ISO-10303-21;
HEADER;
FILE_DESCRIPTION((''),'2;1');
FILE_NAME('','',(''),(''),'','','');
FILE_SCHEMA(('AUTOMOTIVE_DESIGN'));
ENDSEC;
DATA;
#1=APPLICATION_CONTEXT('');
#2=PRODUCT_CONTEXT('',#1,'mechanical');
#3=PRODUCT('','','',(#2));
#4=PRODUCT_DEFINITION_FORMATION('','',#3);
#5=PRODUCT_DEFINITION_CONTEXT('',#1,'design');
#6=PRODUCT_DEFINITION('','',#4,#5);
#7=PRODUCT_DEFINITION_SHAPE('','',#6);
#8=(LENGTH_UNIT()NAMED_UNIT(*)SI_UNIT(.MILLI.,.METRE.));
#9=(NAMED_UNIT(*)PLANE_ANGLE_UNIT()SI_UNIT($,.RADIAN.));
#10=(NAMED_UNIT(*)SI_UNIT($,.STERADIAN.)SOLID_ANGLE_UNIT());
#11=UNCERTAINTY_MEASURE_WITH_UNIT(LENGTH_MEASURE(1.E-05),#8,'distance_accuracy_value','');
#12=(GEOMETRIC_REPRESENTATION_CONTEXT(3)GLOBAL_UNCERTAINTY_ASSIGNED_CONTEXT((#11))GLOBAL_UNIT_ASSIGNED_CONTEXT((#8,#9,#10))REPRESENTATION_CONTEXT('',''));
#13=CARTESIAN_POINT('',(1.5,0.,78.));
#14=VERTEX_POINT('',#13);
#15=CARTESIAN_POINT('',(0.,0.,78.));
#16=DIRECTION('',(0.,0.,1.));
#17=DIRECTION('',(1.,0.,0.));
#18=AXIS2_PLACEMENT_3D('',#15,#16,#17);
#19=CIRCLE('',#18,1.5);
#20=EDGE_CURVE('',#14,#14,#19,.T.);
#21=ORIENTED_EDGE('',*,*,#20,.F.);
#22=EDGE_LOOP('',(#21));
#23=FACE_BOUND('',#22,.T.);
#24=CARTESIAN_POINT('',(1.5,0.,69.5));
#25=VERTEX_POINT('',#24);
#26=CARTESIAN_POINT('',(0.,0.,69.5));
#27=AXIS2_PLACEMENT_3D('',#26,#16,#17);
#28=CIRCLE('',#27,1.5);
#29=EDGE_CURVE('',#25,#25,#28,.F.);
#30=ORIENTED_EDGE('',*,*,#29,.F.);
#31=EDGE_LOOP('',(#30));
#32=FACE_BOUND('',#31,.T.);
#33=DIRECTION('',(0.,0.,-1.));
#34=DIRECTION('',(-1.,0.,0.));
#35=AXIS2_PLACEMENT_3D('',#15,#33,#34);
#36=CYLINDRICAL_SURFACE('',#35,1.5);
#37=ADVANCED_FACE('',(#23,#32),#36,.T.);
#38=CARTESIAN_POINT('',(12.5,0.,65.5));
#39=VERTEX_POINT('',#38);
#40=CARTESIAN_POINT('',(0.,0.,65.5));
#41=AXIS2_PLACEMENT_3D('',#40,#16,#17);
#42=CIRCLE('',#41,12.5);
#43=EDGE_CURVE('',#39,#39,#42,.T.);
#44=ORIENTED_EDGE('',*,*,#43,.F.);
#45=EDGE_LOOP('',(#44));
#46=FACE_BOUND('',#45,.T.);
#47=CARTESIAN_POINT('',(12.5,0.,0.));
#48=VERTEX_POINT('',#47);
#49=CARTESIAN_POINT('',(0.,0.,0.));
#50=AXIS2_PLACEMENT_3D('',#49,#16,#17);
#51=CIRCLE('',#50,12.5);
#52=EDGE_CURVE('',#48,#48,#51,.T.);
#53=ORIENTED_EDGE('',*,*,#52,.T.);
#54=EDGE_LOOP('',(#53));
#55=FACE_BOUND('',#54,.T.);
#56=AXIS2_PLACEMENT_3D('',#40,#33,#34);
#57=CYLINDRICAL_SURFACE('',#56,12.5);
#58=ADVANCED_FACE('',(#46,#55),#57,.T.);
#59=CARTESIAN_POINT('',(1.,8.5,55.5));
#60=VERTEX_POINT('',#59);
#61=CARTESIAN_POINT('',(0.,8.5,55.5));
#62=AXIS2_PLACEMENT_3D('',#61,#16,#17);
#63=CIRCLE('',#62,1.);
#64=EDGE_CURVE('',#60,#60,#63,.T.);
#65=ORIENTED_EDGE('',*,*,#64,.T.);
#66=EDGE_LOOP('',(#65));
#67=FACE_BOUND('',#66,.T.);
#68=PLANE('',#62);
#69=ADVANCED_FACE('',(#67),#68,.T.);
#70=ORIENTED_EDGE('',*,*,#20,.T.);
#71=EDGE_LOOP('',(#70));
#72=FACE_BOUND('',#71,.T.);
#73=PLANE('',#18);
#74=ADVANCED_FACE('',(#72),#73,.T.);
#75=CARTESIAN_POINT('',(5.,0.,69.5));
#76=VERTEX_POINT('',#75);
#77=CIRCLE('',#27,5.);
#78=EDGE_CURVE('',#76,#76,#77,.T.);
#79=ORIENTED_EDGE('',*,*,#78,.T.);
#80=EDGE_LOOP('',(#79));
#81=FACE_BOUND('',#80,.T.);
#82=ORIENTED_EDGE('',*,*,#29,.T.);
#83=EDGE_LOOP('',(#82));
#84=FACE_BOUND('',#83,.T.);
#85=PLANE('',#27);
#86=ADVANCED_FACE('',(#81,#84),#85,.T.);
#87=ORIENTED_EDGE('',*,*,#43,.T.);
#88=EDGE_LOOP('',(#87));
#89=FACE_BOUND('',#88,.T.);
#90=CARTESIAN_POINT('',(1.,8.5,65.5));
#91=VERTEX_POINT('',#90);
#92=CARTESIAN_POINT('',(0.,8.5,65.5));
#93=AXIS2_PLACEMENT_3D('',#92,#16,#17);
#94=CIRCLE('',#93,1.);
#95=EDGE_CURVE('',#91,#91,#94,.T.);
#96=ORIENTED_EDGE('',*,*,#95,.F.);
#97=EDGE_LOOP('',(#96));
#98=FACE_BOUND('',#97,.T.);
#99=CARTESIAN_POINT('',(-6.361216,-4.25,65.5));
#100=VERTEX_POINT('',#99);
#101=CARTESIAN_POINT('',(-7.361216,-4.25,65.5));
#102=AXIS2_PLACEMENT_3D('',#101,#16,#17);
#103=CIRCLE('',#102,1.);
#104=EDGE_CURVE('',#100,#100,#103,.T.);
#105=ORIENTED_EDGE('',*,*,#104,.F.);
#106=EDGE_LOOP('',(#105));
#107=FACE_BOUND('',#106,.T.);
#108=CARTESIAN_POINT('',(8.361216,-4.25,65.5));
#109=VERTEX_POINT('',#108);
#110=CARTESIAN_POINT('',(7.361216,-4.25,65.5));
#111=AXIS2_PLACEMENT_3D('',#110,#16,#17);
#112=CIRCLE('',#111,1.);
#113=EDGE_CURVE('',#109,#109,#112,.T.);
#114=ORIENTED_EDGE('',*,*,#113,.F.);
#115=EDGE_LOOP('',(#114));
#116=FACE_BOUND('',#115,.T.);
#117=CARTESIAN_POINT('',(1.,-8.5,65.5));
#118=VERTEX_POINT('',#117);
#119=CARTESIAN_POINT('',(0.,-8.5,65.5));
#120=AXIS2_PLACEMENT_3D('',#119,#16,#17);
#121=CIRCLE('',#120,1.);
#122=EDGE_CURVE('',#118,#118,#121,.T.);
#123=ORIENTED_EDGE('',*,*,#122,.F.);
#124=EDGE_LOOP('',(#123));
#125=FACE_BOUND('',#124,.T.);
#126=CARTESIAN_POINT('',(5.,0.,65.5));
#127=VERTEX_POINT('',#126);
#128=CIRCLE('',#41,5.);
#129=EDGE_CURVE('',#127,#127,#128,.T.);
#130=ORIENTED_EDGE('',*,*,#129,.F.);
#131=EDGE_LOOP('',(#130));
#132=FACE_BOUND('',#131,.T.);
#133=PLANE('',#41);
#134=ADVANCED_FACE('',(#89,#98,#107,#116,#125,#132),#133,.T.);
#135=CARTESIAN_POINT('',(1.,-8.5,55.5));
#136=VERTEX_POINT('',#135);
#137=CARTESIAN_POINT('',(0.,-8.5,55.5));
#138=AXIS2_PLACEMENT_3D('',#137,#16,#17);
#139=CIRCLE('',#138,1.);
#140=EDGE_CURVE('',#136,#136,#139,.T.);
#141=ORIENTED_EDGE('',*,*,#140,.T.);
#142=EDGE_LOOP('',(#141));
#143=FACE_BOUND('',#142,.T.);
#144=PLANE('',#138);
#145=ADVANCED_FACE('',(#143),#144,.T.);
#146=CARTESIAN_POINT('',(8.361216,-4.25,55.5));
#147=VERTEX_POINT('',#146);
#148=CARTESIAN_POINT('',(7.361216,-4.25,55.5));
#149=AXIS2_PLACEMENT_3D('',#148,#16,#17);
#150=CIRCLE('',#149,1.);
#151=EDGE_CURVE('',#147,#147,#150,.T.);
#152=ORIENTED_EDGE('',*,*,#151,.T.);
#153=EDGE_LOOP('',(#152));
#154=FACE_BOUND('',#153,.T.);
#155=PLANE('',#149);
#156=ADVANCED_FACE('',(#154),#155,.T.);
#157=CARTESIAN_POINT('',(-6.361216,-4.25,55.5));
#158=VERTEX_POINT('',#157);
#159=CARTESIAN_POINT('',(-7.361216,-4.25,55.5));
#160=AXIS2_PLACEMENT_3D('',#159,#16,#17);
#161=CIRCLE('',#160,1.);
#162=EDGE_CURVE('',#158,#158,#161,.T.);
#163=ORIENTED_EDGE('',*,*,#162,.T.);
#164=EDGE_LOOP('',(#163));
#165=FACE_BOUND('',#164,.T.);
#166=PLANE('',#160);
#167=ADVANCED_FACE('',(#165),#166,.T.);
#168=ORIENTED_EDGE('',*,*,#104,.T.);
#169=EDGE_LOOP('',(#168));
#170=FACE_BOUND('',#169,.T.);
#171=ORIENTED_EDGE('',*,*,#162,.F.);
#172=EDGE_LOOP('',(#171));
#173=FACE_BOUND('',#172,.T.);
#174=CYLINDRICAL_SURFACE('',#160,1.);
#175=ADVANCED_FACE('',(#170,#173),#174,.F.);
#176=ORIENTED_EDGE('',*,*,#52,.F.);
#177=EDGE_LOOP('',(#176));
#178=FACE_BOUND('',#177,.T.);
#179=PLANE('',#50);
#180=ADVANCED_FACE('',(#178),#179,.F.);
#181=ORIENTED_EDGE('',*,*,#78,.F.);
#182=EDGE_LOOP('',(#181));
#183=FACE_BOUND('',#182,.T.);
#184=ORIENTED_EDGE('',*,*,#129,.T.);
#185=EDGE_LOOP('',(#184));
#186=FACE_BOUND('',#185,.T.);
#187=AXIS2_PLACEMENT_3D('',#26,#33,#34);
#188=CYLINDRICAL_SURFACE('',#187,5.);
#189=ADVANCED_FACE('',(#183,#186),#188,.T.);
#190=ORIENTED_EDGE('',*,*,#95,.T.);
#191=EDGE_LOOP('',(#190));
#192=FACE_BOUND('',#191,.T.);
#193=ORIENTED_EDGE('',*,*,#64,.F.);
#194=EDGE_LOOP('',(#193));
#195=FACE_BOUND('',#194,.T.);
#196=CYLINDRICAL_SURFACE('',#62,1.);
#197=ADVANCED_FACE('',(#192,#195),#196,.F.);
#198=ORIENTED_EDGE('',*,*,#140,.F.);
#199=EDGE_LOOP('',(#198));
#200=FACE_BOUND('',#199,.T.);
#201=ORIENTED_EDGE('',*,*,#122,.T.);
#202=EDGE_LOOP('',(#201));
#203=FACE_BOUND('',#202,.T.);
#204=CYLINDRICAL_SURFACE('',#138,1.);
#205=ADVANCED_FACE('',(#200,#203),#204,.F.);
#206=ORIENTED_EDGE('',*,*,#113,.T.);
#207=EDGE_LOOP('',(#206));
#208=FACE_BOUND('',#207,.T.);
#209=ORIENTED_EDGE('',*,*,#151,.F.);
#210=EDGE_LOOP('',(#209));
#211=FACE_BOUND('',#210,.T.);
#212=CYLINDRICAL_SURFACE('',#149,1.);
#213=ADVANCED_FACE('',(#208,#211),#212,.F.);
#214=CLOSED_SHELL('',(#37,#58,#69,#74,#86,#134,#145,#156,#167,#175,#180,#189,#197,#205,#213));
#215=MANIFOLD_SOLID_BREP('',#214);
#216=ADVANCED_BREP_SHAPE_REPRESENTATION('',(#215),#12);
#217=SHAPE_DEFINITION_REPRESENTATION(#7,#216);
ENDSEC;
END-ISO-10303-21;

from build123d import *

# Parameters (mm, degrees)
SKETCH_1_R          = 12.5
EXTRUDE_1_DEPTH     = 65.5
SKETCH_2_R          = 5
EXTRUDE_2_DEPTH     = 4
SKETCH_3_R          = 1.5
EXTRUDE_3_DEPTH     = 12.5
SKETCH_4_R          = 1
CUT_EXTRUDE_1_DEPTH = 10


with BuildPart() as part:
    # 스케치1 → 돌출1 (new body)
    with BuildSketch(Plane.XY):
        Circle(SKETCH_1_R)
    extrude(amount=EXTRUDE_1_DEPTH)

    # 스케치2 → 돌출2 (add)
    with BuildSketch(Plane.XY.offset(65.5)):
        Circle(SKETCH_2_R)
    extrude(amount=EXTRUDE_2_DEPTH)

    # 스케치3 → 돌출3 (add)
    with BuildSketch(Plane.XY.offset(65.5)):
        Circle(SKETCH_3_R)
    extrude(amount=EXTRUDE_3_DEPTH)

    # 스케치4 → 컷-돌출1 (cut)
    with BuildSketch(Plane.XY.offset(65.5)):
        with Locations((0, 8.5)):
            Circle(SKETCH_4_R)
        with Locations((0, -8.5)):
            Circle(SKETCH_4_R)
        with Locations((-7.361215932, -4.25)):
            Circle(SKETCH_4_R)
        with Locations((7.361215932, -4.25)):
            Circle(SKETCH_4_R)
    extrude(amount=-CUT_EXTRUDE_1_DEPTH, mode=Mode.SUBTRACT)


solid = part.part
